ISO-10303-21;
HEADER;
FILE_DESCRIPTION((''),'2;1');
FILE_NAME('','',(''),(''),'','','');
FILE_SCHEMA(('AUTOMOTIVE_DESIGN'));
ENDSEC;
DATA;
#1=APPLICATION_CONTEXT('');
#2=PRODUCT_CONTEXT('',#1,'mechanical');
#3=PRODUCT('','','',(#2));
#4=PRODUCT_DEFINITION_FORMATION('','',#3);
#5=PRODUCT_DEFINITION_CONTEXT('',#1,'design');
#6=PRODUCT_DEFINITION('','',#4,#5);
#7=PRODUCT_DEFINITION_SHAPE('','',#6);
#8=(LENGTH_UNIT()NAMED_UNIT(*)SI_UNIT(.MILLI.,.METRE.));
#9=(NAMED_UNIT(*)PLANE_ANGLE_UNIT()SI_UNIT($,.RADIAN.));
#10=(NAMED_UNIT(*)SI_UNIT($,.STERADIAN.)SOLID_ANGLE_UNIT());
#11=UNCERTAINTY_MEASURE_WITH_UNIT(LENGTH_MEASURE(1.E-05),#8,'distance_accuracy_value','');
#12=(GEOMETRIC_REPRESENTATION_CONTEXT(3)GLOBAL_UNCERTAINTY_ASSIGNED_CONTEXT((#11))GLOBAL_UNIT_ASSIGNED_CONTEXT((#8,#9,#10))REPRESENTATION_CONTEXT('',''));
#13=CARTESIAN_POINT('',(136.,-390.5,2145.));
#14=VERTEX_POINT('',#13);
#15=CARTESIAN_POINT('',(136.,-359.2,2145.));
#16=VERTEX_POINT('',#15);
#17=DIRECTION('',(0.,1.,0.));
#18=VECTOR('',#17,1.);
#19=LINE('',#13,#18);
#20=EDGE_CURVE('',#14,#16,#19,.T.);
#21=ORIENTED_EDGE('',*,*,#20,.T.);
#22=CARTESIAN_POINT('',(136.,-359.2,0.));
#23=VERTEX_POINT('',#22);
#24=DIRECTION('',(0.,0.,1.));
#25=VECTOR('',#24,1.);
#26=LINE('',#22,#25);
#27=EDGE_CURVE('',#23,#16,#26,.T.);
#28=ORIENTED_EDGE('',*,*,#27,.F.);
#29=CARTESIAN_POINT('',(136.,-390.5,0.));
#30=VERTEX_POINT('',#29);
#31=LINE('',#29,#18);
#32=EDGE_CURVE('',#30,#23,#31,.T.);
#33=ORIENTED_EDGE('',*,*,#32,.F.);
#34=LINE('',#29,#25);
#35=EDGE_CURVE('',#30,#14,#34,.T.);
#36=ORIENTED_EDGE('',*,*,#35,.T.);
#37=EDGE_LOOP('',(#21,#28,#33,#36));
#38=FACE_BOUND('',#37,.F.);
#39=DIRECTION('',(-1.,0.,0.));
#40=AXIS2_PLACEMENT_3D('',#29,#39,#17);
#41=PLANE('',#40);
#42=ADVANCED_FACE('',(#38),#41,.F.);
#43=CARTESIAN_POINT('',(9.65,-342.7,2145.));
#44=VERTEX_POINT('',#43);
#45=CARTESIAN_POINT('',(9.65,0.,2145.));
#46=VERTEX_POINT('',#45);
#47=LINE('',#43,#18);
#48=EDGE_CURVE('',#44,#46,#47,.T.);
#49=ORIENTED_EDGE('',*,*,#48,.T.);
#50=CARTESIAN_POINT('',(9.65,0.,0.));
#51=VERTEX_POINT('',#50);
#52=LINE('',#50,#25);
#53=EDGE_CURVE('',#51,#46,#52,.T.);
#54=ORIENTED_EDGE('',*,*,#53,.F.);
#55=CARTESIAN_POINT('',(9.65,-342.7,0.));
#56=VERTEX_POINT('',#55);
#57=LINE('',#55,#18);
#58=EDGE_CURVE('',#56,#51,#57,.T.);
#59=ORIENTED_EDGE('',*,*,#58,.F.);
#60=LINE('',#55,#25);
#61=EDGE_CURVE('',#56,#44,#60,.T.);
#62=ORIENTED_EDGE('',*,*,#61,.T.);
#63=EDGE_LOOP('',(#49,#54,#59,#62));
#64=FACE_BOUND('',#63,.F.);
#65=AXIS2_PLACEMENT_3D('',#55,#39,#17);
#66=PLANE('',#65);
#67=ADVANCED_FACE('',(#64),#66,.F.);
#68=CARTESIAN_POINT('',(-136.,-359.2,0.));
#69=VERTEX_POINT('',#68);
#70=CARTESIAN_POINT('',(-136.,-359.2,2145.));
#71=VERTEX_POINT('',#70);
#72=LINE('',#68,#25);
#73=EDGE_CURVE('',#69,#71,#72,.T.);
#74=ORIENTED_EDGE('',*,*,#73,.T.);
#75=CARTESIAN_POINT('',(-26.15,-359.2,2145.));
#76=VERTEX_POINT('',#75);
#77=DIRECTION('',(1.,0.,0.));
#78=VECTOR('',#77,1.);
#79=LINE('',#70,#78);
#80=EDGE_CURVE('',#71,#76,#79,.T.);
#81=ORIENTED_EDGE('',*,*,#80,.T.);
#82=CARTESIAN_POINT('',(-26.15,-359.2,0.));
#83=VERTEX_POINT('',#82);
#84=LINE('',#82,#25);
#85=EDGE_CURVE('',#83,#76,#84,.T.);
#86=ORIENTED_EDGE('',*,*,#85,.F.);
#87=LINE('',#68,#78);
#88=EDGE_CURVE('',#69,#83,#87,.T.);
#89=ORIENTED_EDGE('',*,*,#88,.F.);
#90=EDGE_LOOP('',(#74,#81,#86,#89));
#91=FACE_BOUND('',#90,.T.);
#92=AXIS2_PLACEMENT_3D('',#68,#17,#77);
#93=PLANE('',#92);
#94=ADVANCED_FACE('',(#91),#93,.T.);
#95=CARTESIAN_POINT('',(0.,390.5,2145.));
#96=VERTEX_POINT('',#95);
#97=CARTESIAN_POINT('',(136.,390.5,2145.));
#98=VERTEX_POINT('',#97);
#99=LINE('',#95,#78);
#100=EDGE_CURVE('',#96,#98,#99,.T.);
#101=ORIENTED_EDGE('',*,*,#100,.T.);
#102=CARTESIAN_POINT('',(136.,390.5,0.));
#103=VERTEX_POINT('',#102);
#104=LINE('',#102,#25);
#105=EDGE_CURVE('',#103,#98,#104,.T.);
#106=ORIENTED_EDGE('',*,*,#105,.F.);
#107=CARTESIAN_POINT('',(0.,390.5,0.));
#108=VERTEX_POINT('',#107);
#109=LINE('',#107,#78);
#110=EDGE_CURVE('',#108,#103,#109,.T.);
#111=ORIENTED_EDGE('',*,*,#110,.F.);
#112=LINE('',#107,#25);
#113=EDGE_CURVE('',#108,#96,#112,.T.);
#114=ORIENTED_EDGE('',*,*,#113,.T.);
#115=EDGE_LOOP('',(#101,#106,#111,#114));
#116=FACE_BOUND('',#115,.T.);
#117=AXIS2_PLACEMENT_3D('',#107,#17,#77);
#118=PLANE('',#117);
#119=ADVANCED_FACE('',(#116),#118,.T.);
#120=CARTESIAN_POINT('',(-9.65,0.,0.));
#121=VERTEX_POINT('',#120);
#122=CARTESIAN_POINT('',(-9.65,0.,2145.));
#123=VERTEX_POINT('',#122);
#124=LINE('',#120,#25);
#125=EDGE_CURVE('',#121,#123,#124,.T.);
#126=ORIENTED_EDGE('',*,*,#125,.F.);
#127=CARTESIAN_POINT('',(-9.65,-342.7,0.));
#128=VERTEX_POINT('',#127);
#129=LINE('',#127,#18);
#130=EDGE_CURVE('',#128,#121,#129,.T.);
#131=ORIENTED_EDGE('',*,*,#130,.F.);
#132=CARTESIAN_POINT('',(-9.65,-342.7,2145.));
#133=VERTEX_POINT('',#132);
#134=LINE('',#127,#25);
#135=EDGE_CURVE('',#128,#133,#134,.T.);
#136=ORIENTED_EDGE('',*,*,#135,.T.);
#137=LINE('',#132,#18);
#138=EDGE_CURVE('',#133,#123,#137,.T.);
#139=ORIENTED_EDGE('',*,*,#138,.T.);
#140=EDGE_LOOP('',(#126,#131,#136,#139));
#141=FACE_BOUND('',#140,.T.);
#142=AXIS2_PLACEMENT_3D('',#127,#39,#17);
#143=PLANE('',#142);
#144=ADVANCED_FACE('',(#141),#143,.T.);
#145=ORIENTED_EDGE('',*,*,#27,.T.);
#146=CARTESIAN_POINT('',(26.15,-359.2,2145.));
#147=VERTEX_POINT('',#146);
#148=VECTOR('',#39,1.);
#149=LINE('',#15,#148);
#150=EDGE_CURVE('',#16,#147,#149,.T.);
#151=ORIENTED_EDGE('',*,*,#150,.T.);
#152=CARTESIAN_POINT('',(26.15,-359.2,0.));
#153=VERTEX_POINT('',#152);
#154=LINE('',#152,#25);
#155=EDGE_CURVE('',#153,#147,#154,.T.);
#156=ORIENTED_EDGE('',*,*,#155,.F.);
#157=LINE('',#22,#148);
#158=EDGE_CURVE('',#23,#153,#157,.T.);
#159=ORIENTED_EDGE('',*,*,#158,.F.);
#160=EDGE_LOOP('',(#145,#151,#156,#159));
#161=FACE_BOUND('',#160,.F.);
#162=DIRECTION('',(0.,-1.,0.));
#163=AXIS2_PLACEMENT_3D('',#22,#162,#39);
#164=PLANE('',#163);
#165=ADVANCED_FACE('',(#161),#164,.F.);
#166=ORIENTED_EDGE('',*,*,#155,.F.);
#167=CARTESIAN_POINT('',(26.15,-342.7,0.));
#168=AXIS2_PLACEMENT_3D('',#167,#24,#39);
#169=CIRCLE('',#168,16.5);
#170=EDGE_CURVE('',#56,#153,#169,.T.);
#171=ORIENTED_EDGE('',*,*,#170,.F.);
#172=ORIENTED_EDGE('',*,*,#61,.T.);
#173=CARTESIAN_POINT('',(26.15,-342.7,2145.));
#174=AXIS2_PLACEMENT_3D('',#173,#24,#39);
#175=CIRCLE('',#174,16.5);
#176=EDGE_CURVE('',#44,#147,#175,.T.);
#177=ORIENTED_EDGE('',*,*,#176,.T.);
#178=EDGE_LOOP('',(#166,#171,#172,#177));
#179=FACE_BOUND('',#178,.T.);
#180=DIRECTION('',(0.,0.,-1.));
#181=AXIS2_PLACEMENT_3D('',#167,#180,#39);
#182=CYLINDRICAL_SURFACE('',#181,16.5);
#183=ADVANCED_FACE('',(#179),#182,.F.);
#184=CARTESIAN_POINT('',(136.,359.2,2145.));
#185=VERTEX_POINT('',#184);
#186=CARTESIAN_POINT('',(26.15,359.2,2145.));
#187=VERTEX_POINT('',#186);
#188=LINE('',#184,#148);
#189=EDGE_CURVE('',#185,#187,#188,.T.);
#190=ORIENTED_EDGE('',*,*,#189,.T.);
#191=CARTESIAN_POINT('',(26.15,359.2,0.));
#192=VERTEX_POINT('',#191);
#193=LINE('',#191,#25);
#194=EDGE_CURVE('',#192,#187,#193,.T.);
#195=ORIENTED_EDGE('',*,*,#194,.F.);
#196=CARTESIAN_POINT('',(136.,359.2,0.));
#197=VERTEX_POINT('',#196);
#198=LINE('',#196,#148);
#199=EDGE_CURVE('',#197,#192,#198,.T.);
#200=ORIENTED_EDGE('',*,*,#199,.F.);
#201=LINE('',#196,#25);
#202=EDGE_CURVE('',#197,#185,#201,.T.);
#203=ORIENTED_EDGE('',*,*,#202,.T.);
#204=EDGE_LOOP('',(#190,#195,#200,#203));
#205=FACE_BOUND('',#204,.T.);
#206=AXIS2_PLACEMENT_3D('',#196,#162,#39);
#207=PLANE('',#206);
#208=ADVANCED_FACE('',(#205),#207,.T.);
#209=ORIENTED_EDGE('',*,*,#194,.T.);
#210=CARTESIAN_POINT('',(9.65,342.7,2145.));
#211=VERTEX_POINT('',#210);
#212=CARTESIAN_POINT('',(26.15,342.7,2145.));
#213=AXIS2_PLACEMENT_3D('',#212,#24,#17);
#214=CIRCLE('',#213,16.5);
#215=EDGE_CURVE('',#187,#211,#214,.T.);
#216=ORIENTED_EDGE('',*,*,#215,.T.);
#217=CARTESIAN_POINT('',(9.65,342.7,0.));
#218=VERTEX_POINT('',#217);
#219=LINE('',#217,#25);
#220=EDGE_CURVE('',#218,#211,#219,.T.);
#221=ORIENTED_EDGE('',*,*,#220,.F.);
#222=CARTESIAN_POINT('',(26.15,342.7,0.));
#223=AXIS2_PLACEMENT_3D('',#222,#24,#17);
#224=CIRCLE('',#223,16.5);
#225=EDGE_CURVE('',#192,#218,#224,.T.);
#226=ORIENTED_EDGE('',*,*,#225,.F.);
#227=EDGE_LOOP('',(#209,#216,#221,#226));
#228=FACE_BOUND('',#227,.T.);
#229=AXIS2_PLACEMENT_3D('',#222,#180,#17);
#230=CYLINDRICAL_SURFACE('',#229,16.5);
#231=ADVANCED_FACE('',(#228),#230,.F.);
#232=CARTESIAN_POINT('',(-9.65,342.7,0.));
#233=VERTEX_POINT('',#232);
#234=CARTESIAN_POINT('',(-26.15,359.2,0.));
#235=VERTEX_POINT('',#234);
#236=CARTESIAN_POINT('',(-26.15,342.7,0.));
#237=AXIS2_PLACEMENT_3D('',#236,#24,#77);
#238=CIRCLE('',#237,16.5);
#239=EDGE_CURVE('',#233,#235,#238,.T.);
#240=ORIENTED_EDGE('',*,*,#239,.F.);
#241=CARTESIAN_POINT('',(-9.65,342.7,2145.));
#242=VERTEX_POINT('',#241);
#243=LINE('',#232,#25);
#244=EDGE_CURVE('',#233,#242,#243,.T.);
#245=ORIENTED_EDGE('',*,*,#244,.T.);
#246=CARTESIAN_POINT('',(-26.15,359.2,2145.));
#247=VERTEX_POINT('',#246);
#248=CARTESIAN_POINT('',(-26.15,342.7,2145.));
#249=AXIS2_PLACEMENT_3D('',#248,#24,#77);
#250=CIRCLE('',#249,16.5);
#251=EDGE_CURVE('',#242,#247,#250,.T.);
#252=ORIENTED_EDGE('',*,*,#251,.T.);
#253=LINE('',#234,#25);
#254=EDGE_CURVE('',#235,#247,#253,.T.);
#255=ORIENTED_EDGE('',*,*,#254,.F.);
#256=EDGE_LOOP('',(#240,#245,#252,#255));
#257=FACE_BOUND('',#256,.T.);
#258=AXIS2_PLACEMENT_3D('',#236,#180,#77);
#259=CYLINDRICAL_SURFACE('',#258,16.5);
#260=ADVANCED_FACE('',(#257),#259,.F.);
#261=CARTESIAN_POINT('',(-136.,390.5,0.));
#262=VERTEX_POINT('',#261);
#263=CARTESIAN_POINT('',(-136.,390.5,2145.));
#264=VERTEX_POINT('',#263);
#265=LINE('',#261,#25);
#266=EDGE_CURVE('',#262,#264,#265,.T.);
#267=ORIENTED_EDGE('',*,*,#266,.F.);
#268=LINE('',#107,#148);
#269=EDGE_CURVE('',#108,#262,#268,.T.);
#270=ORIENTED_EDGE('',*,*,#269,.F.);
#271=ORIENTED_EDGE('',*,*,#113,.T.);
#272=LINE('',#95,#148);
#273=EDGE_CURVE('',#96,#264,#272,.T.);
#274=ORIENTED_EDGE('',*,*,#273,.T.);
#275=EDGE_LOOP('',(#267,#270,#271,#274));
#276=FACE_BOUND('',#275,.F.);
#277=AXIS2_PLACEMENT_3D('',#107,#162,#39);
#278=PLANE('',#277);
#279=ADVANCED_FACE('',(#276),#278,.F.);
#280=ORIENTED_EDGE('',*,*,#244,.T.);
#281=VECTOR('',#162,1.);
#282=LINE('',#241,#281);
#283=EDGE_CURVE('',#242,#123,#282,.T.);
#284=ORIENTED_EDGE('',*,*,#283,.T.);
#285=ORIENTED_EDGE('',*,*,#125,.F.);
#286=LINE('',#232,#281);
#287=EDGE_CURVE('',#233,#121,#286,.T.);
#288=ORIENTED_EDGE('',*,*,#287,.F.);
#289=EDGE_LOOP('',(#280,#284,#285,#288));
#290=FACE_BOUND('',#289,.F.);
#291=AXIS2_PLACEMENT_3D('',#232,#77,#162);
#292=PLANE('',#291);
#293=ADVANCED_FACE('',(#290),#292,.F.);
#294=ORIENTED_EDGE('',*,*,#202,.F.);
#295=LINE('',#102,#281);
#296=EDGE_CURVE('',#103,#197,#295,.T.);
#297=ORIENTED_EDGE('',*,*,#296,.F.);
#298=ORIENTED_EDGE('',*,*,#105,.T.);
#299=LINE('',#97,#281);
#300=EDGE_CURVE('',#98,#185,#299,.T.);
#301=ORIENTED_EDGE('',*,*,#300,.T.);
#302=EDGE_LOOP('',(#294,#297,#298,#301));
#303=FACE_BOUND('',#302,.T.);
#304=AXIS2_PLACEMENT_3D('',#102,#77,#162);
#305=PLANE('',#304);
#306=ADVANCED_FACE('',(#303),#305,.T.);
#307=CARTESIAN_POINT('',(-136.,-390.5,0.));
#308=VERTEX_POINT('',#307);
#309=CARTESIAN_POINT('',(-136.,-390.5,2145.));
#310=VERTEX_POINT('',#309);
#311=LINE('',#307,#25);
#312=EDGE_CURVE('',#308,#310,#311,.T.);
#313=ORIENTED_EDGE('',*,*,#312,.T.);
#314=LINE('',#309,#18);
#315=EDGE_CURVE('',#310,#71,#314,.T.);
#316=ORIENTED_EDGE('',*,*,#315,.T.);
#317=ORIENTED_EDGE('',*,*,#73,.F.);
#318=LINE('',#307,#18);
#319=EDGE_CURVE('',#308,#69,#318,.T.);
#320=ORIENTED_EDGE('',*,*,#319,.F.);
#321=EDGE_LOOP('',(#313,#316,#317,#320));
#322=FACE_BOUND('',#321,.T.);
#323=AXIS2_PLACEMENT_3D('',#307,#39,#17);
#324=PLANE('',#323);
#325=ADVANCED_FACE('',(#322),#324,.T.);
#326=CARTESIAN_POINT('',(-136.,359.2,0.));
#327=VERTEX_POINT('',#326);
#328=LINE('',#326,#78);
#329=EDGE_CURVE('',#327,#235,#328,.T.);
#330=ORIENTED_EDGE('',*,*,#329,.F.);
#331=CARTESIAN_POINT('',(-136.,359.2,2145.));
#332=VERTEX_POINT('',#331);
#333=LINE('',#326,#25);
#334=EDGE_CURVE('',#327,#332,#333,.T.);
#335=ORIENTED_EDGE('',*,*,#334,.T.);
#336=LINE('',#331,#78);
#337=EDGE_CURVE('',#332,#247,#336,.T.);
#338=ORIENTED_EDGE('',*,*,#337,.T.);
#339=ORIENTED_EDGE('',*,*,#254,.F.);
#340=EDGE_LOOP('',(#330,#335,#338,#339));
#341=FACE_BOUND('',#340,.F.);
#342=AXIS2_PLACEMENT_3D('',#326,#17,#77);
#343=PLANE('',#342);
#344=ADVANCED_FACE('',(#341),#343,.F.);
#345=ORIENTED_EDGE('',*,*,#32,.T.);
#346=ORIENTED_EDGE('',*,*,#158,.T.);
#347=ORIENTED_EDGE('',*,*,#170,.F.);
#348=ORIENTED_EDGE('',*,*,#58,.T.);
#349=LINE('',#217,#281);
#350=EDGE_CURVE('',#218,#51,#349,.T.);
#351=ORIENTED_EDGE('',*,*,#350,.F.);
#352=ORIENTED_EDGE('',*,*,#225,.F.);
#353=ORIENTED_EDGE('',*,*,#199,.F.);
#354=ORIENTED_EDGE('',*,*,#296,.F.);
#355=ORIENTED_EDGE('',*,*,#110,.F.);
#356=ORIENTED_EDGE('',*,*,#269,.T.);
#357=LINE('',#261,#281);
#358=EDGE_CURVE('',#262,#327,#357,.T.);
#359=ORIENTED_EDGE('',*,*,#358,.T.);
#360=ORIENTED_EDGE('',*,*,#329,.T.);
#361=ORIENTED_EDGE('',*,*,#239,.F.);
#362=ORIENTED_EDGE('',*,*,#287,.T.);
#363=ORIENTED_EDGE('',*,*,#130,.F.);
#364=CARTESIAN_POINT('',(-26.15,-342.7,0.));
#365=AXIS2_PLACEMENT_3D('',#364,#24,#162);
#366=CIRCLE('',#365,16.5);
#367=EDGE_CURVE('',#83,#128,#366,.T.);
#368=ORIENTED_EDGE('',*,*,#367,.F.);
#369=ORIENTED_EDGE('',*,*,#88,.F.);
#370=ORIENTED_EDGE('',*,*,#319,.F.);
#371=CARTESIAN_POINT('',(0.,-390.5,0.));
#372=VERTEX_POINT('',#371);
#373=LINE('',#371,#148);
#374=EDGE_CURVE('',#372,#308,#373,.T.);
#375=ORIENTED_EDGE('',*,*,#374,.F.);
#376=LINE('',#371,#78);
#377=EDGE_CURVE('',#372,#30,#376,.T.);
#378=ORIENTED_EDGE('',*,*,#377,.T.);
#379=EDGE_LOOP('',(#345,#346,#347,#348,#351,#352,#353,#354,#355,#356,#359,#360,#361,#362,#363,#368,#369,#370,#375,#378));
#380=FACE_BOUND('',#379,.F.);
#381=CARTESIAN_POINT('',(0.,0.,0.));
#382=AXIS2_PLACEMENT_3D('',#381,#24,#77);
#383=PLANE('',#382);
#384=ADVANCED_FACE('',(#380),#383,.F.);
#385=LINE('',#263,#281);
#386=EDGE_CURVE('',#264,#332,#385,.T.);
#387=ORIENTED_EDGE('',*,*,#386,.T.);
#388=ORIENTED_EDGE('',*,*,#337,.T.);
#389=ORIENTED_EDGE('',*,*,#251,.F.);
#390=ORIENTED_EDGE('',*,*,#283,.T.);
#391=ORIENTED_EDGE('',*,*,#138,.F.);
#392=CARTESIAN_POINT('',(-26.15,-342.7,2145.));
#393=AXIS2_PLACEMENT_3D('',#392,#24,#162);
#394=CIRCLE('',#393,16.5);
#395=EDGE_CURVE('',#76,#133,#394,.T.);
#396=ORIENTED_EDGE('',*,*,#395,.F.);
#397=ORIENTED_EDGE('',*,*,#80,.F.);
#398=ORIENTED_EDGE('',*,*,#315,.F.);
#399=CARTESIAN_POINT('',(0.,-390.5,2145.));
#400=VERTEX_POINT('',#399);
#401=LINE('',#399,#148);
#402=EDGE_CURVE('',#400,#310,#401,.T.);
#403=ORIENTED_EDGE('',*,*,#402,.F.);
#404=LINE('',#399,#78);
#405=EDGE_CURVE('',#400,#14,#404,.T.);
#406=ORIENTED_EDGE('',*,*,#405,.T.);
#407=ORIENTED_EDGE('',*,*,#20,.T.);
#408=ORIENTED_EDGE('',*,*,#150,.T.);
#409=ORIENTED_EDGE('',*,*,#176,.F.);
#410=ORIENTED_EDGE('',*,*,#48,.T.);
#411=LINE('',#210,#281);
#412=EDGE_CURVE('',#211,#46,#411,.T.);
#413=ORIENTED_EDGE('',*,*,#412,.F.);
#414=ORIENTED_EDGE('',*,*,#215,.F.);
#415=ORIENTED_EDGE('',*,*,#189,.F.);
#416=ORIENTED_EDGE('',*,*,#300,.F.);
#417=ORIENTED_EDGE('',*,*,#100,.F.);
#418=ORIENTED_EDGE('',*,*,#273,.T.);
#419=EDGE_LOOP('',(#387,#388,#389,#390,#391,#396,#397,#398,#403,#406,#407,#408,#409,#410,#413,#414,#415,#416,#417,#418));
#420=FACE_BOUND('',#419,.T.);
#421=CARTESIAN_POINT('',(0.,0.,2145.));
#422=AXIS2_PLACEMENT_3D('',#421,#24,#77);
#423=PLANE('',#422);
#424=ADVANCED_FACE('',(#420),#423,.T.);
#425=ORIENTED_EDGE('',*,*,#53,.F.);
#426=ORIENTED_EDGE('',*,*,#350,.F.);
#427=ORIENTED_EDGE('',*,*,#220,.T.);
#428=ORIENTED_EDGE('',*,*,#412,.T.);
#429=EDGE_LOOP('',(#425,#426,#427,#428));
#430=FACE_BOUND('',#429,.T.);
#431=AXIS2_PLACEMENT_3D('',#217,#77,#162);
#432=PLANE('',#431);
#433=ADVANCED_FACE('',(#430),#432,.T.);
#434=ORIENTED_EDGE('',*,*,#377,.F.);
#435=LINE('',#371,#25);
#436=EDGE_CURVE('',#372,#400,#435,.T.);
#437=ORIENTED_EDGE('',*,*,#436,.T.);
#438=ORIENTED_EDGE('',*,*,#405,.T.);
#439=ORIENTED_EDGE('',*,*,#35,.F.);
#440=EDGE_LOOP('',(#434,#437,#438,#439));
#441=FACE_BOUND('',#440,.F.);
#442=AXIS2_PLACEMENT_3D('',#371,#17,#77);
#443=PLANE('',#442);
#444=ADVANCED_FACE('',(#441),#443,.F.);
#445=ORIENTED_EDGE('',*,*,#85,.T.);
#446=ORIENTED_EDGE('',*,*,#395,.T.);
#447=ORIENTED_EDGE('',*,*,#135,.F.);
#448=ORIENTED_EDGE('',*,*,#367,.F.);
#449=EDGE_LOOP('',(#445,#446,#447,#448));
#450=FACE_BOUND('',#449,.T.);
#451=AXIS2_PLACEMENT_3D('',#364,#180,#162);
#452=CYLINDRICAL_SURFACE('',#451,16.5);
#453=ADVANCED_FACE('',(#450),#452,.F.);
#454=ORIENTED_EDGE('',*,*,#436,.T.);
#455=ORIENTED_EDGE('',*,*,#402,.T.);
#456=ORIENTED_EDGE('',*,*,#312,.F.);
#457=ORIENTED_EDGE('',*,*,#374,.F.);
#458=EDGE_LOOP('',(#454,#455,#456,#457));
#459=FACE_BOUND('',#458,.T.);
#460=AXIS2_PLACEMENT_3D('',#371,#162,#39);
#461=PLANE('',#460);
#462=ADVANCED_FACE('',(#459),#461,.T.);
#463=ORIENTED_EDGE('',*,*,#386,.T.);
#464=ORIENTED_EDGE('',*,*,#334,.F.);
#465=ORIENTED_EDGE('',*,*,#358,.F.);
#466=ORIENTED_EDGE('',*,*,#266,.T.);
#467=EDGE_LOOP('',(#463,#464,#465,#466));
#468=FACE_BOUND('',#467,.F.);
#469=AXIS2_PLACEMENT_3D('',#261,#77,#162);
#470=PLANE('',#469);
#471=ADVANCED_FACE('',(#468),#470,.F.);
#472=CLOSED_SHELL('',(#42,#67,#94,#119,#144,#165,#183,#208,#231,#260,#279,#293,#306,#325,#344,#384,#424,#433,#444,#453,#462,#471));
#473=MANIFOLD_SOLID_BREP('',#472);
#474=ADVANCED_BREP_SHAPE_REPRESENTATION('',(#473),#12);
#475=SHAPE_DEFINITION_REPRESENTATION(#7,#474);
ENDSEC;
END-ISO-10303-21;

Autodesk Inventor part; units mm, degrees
ref_plane "YZ Plane" through (0, 0, 0) normal (1, 0, 0) x (0, 1, 0)
ref_plane "Start plane" through (0, 0, 0) normal (0, 0, 1) x (1, 0, 0)
ref_plane "End plane" through (0, 0, 2145) normal (0, 0, 1) x (1, 0, 0)
sketch "Sketch" plane through (0, 0, 0) normal (0, 0, 1) x (1, 0, 0)
  line L0 (-136, -390.5) -> (-136, -359.2)
  line L1 (-136, -359.2) -> (-26.15, -359.2)
  line L2 (-9.65, -342.7) -> (-9.65, 0)
  line L3 (-9.65, 0) -> (0, 0) construction
  line L4 (0, 0) -> (0, -390.5) construction
  line L5 (0, -390.5) -> (-136, -390.5)
  line L6 (-60, 0) -> (80, 0) construction
  line L7 (0, -60) -> (0, 80) construction
  line L8 (136, -390.5) -> (136, -359.2)
  line L9 (136, -359.2) -> (26.15, -359.2)
  line L10 (9.65, -342.7) -> (9.65, 0)
  line L11 (9.65, 0) -> (0, 0) construction
  line L12 (0, -390.5) -> (136, -390.5)
  line L13 (-136, 390.5) -> (-136, 359.2)
  line L14 (-136, 359.2) -> (-26.15, 359.2)
  line L15 (-9.65, 342.7) -> (-9.65, 0)
  line L16 (0, 390.5) -> (-136, 390.5)
  line L17 (136, 390.5) -> (136, 359.2)
  line L18 (136, 359.2) -> (26.15, 359.2)
  line L19 (0, 390.5) -> (136, 390.5)
  line L20 (9.65, 342.7) -> (9.65, 0)
  arc A0 (-9.65, 342.7) -> (-26.15, 359.2) centre (-26.15, 342.7) ccw
  arc A1 (26.15, 359.2) -> (9.65, 342.7) centre (26.15, 342.7) ccw
  arc A2 (9.65, -342.7) -> (26.15, -359.2) centre (26.15, -342.7) ccw
  arc A3 (-26.15, -359.2) -> (-9.65, -342.7) centre (-26.15, -342.7) ccw
  line L21 (0, 108) -> (0, -88) construction
  line L22 (-88, 0) -> (108, 0) construction
  point P0 (-9.65, -359.2)
  point P1 (9.65, -359.2)
  point P2 (-9.65, 359.2)
  point P3 (9.65, 359.2)
  dimension "d1" = 390.5
  dimension "d2" = 31.3
  dimension "d3" = 136
  dimension "d4" = 9.65
  dimension "d10" = 16.5
extrude "Body" add sketch "Sketch" along normal up to surface (2145 mm away) from surface at 0
sketch "Sketch4" plane through (0, 0, 0) normal (0, 0, 1) x (1, 0, 0)
  line L0 (0, 0) -> (10, 0)
ref_plane "Work Plane3" through (0, 0, 0) normal (0, -1, 0) x (1, 0, 0)
sketch "Sketch5" plane through (0, 0, 0) normal (0, -1, 0) x (1, 0, 0)
  line L0 (-2, 0) -> (12, 0) projected
  line L1 (-2, 2145) -> (12, 2145) projected
  dimension "d14" = 2145
equation "\"d1\" = 0.5 * G_H"
equation "\"d2\" = G_T1"
equation "\"d3\" = 0.5 * G_W"
equation "\"d4\" = 0.5 * G_T"
equation "\"d10\" = G_IR"
equation "\"d5\" = G_L"
equation "\"G_W\" = 272"
equation "\"G_H\" = 781"
equation "\"G_T\" = 19.3"
equation "\"G_T1\" = 31.3"
equation "\"G_IR\" = 16.5"
equation "\"G_L\" = d14"
equation "\"G_OFFSET_START\" = 0"
equation "\"G_OFFSET_END\" = 0"
equation "\"d12\" = G_OFFSET_END + B_L"
equation "\"B_L\" = 2145"
properties part number "AS 3679-1990 - 760 UB - 244 - 2145" material "Steel, Mild"
